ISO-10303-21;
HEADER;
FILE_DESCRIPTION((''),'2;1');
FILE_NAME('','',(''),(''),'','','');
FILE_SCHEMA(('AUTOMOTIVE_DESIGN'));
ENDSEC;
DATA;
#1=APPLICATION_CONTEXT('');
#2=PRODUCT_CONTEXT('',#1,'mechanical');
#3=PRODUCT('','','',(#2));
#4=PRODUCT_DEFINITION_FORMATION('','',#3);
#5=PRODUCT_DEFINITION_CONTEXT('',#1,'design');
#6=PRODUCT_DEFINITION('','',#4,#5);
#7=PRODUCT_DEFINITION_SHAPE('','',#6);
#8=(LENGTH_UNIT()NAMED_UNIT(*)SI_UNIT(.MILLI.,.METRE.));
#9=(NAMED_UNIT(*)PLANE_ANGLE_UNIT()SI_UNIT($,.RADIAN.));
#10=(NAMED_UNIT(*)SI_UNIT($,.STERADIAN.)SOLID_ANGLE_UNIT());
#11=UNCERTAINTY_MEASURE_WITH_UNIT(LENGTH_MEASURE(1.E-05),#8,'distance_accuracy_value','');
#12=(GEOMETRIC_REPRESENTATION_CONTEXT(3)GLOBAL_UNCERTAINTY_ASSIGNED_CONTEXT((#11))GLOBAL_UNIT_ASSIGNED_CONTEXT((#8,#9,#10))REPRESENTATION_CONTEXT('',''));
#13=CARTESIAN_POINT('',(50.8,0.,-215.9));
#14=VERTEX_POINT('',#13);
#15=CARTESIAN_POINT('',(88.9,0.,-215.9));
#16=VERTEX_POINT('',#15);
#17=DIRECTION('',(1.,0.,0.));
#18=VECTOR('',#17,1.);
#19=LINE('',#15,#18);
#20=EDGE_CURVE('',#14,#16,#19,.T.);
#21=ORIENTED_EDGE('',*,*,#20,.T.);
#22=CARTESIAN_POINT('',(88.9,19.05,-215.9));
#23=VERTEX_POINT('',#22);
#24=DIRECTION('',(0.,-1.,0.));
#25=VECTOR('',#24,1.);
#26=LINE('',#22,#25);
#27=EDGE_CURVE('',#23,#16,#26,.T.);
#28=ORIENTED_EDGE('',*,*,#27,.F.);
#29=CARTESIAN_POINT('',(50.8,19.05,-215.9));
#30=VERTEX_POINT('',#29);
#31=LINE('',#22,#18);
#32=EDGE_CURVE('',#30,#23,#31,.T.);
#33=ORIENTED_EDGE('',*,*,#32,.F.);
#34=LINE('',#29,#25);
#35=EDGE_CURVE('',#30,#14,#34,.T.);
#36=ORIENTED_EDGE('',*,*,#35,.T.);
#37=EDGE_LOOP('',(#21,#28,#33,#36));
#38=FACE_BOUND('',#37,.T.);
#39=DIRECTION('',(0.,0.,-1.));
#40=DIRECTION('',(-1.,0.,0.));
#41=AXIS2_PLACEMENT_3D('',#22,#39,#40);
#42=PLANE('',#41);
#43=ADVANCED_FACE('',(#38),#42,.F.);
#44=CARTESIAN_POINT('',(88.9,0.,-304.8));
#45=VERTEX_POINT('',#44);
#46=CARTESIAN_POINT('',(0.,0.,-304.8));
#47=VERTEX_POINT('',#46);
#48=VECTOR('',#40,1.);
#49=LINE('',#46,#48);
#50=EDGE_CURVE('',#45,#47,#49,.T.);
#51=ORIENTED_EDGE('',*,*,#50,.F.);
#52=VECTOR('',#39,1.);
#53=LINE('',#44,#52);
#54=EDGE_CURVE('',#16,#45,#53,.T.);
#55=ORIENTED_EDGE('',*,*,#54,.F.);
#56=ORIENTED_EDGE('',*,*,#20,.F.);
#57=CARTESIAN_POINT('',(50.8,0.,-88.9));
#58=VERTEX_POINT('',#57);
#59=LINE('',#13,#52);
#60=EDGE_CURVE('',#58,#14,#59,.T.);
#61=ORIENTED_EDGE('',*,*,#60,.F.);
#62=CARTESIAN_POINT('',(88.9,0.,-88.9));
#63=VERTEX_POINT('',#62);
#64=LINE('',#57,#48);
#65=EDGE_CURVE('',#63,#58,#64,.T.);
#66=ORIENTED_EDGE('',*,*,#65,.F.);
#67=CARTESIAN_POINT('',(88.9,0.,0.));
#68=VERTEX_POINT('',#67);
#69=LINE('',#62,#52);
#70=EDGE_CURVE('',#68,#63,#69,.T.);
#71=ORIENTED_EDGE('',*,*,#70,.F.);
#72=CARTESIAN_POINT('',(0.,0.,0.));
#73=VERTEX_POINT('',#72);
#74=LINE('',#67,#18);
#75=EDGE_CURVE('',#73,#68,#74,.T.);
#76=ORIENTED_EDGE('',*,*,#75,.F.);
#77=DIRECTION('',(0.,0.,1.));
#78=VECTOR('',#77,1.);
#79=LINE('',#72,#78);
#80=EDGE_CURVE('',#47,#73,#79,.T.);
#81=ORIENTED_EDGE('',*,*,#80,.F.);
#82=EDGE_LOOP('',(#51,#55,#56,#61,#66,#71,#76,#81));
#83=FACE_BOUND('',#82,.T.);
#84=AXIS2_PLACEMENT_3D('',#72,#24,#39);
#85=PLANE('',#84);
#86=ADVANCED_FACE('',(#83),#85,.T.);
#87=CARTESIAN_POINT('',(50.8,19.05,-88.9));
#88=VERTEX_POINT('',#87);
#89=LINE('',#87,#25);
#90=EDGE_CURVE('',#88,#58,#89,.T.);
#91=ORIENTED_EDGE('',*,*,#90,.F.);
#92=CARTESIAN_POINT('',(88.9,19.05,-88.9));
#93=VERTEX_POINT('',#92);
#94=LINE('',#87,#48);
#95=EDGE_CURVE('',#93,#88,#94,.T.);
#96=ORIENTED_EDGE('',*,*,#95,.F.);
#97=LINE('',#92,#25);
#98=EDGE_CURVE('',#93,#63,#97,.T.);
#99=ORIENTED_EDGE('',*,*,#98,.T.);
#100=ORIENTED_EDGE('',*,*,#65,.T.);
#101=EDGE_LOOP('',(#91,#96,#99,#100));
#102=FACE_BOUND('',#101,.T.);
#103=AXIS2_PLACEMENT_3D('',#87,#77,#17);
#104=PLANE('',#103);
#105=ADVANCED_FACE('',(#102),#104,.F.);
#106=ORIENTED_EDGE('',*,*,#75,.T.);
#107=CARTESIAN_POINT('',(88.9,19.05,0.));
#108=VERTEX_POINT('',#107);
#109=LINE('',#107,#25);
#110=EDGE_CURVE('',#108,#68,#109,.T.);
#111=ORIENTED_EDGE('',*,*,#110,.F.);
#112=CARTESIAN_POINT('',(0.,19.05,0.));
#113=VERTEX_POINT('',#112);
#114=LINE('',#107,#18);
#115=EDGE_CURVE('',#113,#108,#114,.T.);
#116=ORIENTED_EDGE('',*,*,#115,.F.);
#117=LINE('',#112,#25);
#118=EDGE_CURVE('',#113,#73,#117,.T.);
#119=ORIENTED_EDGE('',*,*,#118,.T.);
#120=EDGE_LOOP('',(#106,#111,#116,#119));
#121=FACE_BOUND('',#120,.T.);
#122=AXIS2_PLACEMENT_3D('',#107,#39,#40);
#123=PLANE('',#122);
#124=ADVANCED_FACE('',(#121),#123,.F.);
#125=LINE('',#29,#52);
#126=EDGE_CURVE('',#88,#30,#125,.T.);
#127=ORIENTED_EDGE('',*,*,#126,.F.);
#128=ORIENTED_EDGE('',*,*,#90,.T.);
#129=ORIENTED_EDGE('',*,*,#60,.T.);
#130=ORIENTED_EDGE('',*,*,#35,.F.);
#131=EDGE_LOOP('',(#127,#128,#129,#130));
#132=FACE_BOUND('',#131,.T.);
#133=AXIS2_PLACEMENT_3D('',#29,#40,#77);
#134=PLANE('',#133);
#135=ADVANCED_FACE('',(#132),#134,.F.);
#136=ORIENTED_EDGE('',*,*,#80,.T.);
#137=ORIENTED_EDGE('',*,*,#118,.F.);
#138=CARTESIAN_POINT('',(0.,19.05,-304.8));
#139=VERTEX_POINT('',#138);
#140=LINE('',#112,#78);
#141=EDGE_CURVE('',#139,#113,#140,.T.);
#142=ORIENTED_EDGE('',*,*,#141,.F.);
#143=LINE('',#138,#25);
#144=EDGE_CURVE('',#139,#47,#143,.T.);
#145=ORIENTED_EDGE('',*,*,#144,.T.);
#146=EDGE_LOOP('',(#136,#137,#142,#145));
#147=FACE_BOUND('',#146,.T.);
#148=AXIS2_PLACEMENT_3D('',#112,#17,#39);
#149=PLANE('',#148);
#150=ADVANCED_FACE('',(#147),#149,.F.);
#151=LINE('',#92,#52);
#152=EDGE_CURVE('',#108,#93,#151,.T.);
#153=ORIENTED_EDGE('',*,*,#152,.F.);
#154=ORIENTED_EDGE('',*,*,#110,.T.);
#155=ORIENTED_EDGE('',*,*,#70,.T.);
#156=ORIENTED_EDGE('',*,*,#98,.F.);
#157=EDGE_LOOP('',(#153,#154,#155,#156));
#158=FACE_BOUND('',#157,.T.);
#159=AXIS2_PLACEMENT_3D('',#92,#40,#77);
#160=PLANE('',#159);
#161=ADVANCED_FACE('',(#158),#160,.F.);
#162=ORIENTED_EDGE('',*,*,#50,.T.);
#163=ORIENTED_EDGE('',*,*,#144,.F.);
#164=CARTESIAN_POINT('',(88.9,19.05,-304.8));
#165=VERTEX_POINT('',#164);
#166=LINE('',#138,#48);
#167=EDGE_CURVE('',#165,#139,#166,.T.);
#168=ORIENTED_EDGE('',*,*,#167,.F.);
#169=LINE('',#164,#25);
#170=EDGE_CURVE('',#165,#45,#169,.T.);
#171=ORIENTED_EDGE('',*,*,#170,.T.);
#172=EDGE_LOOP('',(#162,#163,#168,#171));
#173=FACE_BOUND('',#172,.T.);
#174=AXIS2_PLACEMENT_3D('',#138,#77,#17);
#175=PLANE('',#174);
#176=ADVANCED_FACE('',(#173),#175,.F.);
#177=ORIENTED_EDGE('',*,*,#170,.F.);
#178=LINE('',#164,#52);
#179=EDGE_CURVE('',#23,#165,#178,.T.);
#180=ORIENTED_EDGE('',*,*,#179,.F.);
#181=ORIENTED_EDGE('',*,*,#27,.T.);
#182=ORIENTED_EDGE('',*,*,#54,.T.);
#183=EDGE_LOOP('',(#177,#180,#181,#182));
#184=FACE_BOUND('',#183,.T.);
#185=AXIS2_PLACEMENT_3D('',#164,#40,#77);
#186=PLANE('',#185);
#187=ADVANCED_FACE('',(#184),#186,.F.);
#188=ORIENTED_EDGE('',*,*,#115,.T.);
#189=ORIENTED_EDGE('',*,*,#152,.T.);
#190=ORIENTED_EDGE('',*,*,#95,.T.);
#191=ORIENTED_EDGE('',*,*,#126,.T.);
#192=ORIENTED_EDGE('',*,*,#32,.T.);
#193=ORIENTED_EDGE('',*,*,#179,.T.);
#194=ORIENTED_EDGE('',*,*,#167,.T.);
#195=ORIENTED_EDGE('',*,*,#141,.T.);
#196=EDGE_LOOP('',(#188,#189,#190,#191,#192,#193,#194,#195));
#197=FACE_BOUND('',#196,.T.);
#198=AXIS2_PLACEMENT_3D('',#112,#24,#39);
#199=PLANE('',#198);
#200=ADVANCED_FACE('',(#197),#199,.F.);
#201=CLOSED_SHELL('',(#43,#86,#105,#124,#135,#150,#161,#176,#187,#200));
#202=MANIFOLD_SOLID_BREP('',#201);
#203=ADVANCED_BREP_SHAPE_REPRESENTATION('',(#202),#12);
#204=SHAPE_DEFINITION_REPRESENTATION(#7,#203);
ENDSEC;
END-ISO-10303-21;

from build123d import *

# Parameters (mm, degrees)
BOSS_EXTRUDE1_DEPTH = 19.05


with BuildPart() as part:
    # Sketch1 → Boss-Extrude1 (new body)
    with BuildSketch(Plane(origin=(0, 0, 0), x_dir=(1, 0, 0), z_dir=(0, 1, 0))):
        Polygon((0, 0), (0, 304.8), (88.9, 304.8), (88.9, 215.9), (50.8, 215.9), (50.8, 88.9), (88.9, 88.9), (88.9, 0), align=None)
    extrude(amount=BOSS_EXTRUDE1_DEPTH)


solid = part.part
